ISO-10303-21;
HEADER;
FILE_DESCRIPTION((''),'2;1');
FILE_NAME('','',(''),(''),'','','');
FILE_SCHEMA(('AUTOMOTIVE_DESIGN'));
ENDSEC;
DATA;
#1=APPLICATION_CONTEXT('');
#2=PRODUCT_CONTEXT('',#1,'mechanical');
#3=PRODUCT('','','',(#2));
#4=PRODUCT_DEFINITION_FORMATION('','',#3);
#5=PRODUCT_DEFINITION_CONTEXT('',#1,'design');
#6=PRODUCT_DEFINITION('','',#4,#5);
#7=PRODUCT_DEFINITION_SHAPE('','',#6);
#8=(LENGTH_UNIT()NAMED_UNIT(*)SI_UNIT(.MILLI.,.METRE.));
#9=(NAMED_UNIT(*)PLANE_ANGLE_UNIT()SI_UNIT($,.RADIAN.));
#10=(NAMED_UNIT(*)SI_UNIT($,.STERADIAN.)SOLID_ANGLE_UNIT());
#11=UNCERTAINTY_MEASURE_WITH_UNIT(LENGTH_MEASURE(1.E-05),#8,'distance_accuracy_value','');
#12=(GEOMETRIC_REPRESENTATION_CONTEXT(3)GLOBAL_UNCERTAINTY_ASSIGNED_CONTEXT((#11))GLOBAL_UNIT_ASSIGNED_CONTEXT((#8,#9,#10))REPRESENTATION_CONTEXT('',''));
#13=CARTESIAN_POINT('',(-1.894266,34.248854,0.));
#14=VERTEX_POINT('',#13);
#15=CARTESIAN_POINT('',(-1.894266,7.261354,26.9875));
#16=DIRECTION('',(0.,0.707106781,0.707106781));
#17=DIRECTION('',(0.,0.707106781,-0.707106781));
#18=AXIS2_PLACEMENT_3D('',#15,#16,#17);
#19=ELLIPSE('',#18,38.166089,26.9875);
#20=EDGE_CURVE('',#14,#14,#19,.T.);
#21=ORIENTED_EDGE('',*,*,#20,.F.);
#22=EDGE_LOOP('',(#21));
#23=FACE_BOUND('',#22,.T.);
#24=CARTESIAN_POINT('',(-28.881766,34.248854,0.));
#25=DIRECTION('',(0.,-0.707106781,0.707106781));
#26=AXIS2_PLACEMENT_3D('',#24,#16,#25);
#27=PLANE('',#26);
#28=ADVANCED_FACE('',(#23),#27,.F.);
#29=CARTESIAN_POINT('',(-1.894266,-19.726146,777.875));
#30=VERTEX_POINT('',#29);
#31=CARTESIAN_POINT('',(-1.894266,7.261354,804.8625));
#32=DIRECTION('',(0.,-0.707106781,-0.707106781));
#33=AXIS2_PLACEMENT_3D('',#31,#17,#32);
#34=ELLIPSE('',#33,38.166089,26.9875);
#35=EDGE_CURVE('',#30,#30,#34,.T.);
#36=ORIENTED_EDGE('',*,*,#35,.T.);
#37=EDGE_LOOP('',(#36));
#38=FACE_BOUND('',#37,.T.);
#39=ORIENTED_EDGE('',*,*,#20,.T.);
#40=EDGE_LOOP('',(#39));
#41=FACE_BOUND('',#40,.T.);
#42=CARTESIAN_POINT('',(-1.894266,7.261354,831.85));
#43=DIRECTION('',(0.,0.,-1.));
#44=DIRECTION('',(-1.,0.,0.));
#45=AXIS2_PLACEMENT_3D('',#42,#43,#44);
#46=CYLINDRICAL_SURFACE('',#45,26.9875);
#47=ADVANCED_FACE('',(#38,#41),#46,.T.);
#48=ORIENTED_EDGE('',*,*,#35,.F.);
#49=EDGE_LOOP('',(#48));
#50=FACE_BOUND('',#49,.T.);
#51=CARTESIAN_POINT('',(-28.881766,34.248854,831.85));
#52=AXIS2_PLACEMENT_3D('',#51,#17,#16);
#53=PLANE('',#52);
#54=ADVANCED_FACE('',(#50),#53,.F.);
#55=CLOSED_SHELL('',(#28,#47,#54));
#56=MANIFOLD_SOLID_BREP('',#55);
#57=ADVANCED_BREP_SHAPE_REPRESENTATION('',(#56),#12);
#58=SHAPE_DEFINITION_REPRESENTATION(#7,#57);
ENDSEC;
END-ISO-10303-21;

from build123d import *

# Parameters (mm, degrees)
SKETCH1_R               = 26.9875
BOSS_EXTRUDE1_DEPTH     = 831.85
CUT_EXTRUDE1_DEPTH      = 834.055558147
CUT_EXTRUDE1_DEPTH_BACK = 834.055558147


with BuildPart() as part:
    # Sketch1 → Boss-Extrude1 (new body)
    with BuildSketch(Plane.XY):
        with Locations(Location((-1.894266375, 7.261354436, 0), (0, 0, 180))):
            Circle(SKETCH1_R)
    extrude(amount=BOSS_EXTRUDE1_DEPTH)

    # Sketch2 → Cut-Extrude1 (cut, two sides: drawn at the far end of the back side and taken through both)
    with BuildSketch(Plane(origin=(0, 0, 0), x_dir=(0, 0, -1), z_dir=(1, 0, 0)).offset(-CUT_EXTRUDE1_DEPTH_BACK)):
        Polygon((-831.85, 34.248854436), (-777.875, -19.726145564), (-831.85, -19.726145564), align=None)
        Polygon((0, 34.248854436), (-53.975, -19.726145564), (0, -19.726145564), align=None)
    extrude(amount=CUT_EXTRUDE1_DEPTH + CUT_EXTRUDE1_DEPTH_BACK, mode=Mode.SUBTRACT)


solid = part.part
